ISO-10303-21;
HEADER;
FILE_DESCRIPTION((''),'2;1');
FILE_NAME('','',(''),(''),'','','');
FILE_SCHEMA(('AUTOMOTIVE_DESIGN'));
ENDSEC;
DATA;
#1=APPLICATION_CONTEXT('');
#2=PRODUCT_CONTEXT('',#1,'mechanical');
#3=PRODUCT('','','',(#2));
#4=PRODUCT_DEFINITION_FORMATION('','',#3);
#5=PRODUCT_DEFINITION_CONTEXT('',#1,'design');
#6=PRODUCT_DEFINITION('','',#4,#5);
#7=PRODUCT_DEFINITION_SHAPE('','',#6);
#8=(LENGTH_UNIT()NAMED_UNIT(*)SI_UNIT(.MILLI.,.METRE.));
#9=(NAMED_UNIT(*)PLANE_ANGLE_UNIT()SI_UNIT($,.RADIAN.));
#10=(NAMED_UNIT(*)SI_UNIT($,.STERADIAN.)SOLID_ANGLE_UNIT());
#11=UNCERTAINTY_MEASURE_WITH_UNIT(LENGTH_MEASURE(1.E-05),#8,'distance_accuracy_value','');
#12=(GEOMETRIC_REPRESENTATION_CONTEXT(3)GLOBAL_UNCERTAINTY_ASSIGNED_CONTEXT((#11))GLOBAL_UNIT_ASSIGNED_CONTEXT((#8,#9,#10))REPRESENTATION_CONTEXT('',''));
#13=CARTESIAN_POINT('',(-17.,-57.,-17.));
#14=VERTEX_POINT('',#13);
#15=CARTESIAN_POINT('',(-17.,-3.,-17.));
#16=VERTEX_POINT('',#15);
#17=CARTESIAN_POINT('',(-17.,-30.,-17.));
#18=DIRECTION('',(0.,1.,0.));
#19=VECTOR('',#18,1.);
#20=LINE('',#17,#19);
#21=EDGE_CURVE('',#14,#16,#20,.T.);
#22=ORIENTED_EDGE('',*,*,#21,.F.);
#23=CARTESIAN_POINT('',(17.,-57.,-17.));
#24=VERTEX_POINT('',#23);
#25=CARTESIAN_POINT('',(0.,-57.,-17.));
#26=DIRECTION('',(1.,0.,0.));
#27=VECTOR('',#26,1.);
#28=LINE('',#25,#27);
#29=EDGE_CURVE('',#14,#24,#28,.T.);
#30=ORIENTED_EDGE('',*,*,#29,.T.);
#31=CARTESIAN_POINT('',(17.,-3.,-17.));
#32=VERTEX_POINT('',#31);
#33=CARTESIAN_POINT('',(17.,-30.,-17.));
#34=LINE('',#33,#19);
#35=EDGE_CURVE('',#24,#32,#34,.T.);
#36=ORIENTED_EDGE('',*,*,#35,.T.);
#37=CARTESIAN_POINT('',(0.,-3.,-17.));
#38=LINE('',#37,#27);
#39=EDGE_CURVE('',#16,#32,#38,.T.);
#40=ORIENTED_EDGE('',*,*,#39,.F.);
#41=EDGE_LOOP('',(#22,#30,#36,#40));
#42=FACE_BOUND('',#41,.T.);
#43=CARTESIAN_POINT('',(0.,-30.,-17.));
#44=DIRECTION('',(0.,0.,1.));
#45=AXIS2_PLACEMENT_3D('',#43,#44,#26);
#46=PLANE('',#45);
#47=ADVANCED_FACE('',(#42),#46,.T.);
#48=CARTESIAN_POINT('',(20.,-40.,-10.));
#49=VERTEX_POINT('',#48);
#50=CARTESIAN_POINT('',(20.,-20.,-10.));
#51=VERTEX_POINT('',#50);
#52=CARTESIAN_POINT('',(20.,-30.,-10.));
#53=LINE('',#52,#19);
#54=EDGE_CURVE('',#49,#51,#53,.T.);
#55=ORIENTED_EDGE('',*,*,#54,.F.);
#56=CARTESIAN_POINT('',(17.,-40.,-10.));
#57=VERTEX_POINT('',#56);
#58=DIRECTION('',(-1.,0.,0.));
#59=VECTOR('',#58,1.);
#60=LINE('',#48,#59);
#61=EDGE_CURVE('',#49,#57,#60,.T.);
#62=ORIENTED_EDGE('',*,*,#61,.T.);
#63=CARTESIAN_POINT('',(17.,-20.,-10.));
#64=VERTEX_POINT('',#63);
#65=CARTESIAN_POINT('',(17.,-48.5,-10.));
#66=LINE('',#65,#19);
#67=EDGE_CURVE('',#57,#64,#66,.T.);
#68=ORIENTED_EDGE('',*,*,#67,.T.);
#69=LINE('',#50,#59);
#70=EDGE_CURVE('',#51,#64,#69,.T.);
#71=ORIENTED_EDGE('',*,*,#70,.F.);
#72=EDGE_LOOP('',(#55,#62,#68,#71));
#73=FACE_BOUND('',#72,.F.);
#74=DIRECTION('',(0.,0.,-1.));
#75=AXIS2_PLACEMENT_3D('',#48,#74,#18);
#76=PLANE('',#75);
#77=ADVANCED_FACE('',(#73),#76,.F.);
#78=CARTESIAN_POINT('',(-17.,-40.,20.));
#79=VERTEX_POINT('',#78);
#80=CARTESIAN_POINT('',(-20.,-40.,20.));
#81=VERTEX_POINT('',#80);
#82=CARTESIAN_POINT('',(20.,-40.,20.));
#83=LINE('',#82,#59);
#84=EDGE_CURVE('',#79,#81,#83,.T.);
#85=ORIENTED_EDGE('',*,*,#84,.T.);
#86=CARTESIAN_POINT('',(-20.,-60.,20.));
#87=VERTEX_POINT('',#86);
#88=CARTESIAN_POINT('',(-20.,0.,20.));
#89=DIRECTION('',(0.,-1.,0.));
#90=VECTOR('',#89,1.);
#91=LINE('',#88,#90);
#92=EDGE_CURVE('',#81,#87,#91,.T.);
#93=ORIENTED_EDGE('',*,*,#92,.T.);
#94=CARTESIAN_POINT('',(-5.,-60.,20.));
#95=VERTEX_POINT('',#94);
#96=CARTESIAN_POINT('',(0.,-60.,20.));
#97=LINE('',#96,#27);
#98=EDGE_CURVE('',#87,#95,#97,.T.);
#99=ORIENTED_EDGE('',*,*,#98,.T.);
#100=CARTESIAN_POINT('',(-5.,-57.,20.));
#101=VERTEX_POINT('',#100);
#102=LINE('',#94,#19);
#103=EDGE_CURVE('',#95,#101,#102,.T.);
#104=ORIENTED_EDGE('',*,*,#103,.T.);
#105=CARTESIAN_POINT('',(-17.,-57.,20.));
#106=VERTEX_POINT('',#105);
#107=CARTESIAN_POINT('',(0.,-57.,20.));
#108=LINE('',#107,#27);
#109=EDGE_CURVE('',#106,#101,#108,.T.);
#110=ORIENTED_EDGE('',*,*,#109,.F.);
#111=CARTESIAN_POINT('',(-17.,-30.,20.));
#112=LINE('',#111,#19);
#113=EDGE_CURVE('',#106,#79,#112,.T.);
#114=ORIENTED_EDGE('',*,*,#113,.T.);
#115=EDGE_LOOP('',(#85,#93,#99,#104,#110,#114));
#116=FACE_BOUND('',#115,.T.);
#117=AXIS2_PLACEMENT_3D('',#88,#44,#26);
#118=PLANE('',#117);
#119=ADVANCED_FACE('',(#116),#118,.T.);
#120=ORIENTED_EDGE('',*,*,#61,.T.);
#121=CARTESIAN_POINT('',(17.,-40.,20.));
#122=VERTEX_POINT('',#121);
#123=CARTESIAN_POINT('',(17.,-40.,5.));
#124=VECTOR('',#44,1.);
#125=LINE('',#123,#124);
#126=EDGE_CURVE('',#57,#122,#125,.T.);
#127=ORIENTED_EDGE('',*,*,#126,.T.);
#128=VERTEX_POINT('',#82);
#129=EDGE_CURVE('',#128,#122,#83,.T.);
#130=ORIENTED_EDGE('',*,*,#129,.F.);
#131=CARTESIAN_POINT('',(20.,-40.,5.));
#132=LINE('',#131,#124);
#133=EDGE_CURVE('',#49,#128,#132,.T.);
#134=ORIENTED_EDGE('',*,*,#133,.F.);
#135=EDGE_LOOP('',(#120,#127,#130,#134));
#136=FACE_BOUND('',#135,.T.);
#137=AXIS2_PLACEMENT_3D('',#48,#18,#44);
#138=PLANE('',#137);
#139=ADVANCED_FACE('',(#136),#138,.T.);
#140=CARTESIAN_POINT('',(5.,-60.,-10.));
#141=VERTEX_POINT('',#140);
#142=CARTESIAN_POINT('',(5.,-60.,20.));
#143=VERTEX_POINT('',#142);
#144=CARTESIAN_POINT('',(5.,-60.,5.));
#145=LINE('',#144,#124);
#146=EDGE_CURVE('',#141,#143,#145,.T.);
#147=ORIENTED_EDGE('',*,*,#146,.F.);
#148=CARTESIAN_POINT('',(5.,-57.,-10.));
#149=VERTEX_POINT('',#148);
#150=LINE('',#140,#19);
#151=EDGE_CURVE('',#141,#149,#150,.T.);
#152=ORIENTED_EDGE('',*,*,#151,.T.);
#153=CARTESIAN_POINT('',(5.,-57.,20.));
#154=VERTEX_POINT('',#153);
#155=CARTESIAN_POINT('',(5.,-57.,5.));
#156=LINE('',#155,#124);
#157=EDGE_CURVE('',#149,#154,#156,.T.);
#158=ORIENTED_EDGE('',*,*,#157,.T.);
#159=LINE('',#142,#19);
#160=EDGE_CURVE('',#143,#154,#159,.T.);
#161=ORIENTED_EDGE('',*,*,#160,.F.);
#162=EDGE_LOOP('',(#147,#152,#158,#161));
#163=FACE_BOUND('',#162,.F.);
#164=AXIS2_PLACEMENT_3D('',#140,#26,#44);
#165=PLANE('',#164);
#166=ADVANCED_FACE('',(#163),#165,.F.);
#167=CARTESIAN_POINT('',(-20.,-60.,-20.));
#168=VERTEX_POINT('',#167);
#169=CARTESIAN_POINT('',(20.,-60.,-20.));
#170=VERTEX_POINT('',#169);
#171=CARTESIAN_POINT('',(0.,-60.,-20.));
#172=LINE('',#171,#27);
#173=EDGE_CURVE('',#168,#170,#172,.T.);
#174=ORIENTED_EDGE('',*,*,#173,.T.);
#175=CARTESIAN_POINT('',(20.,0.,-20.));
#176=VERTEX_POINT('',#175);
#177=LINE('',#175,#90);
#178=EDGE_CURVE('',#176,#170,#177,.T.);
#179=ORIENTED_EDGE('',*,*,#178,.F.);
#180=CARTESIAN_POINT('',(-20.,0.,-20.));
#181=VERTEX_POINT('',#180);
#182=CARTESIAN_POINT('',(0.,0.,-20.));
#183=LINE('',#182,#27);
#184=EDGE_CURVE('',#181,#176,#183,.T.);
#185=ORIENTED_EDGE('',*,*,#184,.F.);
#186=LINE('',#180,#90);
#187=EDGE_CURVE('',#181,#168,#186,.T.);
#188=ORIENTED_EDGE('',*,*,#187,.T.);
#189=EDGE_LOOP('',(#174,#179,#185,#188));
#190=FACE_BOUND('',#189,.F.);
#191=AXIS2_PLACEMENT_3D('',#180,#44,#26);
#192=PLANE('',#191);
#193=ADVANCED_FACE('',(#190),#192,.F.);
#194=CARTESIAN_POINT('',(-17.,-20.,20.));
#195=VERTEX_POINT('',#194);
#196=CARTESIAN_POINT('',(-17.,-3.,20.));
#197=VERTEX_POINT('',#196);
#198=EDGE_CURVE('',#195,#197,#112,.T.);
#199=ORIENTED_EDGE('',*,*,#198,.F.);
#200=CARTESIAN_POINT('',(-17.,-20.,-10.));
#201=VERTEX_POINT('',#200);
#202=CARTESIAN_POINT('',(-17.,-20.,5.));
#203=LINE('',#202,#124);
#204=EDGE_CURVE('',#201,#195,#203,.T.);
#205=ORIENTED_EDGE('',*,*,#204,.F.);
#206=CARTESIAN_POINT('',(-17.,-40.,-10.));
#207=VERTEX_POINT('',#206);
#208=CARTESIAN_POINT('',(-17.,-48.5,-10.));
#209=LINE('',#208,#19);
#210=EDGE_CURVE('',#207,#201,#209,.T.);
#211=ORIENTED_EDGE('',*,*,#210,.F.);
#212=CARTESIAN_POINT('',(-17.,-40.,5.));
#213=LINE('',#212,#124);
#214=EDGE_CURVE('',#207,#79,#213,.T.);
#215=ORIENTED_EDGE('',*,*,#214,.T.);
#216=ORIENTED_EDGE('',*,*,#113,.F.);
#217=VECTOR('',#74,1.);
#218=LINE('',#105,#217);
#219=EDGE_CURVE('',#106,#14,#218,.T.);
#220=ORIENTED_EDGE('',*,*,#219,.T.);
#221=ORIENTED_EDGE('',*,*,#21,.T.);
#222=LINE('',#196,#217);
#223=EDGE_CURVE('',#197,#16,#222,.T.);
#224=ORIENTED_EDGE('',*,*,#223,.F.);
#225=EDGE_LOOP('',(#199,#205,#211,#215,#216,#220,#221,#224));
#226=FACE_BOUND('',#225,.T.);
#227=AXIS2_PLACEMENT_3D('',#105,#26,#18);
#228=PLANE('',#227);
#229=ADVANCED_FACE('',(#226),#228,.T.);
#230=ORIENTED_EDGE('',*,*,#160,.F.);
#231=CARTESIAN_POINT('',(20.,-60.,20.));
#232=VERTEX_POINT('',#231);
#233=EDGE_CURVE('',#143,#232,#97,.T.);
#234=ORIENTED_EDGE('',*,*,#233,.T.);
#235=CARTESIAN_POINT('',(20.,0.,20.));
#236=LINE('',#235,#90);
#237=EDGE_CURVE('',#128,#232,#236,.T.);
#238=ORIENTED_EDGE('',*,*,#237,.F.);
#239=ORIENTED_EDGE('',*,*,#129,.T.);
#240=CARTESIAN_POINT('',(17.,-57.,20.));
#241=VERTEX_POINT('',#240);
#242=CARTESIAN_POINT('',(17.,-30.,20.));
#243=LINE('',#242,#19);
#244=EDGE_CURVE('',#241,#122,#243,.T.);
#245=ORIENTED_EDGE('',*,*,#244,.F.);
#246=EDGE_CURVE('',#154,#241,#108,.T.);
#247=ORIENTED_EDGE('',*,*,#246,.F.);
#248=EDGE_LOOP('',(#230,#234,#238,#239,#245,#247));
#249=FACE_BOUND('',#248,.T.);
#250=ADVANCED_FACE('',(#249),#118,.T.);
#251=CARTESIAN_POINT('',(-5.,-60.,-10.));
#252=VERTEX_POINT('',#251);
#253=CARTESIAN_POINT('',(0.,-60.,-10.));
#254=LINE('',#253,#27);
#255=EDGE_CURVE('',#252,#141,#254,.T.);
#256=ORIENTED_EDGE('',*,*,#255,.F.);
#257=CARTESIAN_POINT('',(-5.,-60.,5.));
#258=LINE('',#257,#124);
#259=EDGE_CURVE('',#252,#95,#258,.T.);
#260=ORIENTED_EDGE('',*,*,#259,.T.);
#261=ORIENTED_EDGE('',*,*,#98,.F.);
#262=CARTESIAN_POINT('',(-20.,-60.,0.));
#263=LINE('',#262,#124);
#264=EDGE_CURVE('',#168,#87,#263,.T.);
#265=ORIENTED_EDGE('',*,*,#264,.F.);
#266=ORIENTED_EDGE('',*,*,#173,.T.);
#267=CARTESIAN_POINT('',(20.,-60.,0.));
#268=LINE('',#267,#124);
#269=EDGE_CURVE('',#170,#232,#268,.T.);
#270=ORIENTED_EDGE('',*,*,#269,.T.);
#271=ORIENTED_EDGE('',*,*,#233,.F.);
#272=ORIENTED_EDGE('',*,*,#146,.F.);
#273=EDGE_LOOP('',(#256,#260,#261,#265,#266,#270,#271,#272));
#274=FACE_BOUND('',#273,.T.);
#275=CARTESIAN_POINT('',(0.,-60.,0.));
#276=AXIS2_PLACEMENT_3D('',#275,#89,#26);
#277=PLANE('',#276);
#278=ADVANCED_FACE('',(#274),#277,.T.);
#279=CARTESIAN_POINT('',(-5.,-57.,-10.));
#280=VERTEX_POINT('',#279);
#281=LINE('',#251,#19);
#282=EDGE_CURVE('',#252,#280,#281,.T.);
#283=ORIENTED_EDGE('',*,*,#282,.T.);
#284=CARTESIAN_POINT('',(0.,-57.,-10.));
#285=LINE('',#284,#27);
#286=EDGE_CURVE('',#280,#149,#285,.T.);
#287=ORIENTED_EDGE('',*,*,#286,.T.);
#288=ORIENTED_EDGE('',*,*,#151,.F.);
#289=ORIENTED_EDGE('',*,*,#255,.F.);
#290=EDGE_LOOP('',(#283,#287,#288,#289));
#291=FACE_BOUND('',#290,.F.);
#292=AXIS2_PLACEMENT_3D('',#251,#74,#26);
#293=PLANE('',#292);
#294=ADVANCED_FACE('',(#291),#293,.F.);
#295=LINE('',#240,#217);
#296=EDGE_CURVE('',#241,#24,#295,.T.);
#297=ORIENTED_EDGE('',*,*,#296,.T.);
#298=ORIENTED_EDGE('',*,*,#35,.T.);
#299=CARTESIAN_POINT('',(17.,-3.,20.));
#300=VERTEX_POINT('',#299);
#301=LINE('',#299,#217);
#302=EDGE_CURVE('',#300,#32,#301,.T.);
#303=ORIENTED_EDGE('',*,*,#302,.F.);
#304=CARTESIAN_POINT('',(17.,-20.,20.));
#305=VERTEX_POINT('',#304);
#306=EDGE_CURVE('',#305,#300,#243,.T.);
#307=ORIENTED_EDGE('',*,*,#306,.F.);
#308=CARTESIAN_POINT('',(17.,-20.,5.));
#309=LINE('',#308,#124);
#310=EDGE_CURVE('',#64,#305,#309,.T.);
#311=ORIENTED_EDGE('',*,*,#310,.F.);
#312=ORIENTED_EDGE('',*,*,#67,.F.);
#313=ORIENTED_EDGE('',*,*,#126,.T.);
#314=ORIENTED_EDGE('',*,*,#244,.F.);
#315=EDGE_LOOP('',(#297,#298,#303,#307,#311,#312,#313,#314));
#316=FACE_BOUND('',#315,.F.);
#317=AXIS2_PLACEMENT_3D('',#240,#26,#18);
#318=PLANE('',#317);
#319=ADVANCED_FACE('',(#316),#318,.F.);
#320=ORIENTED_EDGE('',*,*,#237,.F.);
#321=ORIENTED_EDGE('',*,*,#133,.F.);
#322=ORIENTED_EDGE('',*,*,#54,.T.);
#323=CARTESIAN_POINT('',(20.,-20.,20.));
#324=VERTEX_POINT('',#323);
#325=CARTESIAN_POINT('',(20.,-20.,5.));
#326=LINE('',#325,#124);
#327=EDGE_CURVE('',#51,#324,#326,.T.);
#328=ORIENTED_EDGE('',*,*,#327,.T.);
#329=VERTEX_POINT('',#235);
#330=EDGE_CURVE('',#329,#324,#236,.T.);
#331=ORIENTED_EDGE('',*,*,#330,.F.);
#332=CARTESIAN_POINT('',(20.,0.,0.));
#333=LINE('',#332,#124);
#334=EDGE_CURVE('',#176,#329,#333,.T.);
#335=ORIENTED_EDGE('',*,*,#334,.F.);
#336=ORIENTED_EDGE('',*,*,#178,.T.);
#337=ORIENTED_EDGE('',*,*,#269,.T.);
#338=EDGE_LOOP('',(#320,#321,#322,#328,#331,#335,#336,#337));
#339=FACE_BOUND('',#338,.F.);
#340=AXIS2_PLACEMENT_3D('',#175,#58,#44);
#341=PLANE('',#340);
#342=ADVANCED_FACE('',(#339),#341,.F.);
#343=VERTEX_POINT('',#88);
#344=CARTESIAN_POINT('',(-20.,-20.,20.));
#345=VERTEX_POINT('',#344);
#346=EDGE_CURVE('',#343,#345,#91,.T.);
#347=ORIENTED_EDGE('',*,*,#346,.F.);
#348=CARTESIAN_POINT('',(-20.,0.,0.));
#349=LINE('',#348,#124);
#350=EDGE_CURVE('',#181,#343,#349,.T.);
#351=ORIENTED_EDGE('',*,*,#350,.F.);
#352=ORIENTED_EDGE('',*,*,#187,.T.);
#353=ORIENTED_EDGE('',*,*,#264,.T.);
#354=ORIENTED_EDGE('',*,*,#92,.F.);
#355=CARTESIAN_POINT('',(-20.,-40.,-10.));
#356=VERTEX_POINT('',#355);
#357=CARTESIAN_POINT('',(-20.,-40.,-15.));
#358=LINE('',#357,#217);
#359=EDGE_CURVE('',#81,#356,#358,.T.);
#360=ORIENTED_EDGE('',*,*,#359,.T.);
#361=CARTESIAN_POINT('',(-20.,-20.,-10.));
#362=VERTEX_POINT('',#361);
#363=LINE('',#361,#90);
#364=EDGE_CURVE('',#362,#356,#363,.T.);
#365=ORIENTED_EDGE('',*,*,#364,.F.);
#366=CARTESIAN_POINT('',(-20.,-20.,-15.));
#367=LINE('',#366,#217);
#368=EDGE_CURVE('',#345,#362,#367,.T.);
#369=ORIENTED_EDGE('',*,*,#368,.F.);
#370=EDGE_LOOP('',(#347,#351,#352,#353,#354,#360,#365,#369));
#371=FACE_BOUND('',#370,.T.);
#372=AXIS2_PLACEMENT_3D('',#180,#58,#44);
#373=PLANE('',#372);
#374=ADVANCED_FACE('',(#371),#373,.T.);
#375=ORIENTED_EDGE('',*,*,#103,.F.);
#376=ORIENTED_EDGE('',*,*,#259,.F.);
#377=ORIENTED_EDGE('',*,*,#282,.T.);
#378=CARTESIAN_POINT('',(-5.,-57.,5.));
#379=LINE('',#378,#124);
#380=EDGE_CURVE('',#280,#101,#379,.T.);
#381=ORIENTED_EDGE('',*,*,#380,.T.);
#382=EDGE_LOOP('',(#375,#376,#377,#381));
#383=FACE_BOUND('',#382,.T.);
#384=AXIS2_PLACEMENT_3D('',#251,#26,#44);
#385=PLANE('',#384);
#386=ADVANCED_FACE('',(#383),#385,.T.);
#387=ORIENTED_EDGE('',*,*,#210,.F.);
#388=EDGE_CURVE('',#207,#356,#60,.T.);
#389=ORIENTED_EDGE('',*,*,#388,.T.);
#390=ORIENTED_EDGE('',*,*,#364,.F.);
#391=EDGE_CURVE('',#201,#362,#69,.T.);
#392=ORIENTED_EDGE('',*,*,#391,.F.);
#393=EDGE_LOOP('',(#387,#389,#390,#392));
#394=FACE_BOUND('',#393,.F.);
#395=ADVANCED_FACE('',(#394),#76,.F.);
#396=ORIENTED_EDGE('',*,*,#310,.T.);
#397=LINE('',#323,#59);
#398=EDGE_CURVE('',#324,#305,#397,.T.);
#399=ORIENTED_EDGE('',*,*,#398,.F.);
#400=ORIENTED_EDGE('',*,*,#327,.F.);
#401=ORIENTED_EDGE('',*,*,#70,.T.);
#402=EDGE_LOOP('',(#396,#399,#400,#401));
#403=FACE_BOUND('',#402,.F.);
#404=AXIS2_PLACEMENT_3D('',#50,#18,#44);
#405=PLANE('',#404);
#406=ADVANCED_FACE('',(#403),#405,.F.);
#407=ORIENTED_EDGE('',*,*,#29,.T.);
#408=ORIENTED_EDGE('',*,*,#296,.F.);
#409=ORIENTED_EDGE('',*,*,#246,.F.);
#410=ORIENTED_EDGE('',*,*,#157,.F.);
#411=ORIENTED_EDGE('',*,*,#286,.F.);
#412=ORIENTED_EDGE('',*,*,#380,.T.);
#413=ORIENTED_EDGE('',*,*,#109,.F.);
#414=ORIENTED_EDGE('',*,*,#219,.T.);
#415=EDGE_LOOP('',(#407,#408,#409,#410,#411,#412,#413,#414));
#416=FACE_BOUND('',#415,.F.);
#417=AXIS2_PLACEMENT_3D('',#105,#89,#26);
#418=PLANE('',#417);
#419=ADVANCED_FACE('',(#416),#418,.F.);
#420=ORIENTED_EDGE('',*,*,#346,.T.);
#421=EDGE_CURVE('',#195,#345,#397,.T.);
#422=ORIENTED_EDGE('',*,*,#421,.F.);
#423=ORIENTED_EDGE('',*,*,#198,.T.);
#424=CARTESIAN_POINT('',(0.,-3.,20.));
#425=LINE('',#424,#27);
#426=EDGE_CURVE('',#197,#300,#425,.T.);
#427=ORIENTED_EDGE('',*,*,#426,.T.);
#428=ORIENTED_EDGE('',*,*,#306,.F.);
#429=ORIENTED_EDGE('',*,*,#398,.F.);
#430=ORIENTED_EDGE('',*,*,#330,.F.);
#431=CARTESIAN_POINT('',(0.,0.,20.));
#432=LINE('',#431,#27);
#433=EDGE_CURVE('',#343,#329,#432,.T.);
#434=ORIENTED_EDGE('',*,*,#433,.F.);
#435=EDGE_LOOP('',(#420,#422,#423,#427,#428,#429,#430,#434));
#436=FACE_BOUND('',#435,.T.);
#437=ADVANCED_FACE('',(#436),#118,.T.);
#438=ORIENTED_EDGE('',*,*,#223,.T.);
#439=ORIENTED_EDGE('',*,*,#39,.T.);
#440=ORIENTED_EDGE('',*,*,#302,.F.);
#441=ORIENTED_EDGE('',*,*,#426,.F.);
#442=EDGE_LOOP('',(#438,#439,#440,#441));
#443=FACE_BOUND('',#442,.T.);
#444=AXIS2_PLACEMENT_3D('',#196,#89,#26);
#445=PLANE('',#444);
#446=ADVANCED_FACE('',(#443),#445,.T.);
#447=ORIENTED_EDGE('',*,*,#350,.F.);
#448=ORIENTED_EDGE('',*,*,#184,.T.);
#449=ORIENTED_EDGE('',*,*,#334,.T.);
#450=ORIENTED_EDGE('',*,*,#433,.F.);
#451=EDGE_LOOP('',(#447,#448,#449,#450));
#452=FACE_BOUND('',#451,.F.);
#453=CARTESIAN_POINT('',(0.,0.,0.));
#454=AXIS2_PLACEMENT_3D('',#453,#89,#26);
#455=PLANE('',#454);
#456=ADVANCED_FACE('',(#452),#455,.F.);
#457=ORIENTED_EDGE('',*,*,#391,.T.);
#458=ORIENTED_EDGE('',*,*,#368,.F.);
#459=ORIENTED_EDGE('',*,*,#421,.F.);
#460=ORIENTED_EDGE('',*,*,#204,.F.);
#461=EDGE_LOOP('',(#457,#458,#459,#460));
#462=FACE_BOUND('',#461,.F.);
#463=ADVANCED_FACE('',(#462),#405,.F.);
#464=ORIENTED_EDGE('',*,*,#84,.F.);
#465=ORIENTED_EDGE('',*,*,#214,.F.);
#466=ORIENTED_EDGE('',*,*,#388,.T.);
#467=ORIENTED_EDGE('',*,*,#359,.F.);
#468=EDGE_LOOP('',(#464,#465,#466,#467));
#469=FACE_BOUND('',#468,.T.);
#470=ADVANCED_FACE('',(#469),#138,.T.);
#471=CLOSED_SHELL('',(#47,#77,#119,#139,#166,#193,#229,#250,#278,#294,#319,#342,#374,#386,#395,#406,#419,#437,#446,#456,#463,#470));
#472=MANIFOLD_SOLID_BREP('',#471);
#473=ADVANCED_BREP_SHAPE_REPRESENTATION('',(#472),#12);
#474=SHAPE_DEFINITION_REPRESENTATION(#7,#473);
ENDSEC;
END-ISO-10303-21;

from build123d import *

# Parameters (mm, degrees)
F0_W     = 40
F0_H     = 40
F1_DEPTH = 60
F2_W     = 34
F2_H     = 54
F3_DEPTH = 37
F4_W     = 20
F4_H     = 30
F5_DEPTH = 40.001
F6_W     = 10
F6_H     = 30
F7_DEPTH = 3


with BuildPart() as f1:
    # F0 (on Front) → F1 (new body)
    with BuildSketch(Plane.XZ):
        Rectangle(F0_W, F0_H)
    extrude(amount=F1_DEPTH)

    # F2 (on face) → F3 (cut, through all)
    with BuildSketch(Plane.XY.offset(20)):
        with Locations((0, -30)):
            Rectangle(F2_W, F2_H)
    extrude(amount=-F3_DEPTH, mode=Mode.SUBTRACT)

    # F4 (on face) → F5 (cut, through all)
    with BuildSketch(Plane.YZ.offset(20)):
        with Locations((-30, 5)):
            Rectangle(F4_W, F4_H)
    extrude(amount=-F5_DEPTH, mode=Mode.SUBTRACT)

    # F6 (on face) → F7 (cut, through all)
    with BuildSketch(Plane.XZ.offset(60)):
        with Locations((0, 5)):
            Rectangle(F6_W, F6_H)
    extrude(amount=-F7_DEPTH, mode=Mode.SUBTRACT)


solid = f1.part
